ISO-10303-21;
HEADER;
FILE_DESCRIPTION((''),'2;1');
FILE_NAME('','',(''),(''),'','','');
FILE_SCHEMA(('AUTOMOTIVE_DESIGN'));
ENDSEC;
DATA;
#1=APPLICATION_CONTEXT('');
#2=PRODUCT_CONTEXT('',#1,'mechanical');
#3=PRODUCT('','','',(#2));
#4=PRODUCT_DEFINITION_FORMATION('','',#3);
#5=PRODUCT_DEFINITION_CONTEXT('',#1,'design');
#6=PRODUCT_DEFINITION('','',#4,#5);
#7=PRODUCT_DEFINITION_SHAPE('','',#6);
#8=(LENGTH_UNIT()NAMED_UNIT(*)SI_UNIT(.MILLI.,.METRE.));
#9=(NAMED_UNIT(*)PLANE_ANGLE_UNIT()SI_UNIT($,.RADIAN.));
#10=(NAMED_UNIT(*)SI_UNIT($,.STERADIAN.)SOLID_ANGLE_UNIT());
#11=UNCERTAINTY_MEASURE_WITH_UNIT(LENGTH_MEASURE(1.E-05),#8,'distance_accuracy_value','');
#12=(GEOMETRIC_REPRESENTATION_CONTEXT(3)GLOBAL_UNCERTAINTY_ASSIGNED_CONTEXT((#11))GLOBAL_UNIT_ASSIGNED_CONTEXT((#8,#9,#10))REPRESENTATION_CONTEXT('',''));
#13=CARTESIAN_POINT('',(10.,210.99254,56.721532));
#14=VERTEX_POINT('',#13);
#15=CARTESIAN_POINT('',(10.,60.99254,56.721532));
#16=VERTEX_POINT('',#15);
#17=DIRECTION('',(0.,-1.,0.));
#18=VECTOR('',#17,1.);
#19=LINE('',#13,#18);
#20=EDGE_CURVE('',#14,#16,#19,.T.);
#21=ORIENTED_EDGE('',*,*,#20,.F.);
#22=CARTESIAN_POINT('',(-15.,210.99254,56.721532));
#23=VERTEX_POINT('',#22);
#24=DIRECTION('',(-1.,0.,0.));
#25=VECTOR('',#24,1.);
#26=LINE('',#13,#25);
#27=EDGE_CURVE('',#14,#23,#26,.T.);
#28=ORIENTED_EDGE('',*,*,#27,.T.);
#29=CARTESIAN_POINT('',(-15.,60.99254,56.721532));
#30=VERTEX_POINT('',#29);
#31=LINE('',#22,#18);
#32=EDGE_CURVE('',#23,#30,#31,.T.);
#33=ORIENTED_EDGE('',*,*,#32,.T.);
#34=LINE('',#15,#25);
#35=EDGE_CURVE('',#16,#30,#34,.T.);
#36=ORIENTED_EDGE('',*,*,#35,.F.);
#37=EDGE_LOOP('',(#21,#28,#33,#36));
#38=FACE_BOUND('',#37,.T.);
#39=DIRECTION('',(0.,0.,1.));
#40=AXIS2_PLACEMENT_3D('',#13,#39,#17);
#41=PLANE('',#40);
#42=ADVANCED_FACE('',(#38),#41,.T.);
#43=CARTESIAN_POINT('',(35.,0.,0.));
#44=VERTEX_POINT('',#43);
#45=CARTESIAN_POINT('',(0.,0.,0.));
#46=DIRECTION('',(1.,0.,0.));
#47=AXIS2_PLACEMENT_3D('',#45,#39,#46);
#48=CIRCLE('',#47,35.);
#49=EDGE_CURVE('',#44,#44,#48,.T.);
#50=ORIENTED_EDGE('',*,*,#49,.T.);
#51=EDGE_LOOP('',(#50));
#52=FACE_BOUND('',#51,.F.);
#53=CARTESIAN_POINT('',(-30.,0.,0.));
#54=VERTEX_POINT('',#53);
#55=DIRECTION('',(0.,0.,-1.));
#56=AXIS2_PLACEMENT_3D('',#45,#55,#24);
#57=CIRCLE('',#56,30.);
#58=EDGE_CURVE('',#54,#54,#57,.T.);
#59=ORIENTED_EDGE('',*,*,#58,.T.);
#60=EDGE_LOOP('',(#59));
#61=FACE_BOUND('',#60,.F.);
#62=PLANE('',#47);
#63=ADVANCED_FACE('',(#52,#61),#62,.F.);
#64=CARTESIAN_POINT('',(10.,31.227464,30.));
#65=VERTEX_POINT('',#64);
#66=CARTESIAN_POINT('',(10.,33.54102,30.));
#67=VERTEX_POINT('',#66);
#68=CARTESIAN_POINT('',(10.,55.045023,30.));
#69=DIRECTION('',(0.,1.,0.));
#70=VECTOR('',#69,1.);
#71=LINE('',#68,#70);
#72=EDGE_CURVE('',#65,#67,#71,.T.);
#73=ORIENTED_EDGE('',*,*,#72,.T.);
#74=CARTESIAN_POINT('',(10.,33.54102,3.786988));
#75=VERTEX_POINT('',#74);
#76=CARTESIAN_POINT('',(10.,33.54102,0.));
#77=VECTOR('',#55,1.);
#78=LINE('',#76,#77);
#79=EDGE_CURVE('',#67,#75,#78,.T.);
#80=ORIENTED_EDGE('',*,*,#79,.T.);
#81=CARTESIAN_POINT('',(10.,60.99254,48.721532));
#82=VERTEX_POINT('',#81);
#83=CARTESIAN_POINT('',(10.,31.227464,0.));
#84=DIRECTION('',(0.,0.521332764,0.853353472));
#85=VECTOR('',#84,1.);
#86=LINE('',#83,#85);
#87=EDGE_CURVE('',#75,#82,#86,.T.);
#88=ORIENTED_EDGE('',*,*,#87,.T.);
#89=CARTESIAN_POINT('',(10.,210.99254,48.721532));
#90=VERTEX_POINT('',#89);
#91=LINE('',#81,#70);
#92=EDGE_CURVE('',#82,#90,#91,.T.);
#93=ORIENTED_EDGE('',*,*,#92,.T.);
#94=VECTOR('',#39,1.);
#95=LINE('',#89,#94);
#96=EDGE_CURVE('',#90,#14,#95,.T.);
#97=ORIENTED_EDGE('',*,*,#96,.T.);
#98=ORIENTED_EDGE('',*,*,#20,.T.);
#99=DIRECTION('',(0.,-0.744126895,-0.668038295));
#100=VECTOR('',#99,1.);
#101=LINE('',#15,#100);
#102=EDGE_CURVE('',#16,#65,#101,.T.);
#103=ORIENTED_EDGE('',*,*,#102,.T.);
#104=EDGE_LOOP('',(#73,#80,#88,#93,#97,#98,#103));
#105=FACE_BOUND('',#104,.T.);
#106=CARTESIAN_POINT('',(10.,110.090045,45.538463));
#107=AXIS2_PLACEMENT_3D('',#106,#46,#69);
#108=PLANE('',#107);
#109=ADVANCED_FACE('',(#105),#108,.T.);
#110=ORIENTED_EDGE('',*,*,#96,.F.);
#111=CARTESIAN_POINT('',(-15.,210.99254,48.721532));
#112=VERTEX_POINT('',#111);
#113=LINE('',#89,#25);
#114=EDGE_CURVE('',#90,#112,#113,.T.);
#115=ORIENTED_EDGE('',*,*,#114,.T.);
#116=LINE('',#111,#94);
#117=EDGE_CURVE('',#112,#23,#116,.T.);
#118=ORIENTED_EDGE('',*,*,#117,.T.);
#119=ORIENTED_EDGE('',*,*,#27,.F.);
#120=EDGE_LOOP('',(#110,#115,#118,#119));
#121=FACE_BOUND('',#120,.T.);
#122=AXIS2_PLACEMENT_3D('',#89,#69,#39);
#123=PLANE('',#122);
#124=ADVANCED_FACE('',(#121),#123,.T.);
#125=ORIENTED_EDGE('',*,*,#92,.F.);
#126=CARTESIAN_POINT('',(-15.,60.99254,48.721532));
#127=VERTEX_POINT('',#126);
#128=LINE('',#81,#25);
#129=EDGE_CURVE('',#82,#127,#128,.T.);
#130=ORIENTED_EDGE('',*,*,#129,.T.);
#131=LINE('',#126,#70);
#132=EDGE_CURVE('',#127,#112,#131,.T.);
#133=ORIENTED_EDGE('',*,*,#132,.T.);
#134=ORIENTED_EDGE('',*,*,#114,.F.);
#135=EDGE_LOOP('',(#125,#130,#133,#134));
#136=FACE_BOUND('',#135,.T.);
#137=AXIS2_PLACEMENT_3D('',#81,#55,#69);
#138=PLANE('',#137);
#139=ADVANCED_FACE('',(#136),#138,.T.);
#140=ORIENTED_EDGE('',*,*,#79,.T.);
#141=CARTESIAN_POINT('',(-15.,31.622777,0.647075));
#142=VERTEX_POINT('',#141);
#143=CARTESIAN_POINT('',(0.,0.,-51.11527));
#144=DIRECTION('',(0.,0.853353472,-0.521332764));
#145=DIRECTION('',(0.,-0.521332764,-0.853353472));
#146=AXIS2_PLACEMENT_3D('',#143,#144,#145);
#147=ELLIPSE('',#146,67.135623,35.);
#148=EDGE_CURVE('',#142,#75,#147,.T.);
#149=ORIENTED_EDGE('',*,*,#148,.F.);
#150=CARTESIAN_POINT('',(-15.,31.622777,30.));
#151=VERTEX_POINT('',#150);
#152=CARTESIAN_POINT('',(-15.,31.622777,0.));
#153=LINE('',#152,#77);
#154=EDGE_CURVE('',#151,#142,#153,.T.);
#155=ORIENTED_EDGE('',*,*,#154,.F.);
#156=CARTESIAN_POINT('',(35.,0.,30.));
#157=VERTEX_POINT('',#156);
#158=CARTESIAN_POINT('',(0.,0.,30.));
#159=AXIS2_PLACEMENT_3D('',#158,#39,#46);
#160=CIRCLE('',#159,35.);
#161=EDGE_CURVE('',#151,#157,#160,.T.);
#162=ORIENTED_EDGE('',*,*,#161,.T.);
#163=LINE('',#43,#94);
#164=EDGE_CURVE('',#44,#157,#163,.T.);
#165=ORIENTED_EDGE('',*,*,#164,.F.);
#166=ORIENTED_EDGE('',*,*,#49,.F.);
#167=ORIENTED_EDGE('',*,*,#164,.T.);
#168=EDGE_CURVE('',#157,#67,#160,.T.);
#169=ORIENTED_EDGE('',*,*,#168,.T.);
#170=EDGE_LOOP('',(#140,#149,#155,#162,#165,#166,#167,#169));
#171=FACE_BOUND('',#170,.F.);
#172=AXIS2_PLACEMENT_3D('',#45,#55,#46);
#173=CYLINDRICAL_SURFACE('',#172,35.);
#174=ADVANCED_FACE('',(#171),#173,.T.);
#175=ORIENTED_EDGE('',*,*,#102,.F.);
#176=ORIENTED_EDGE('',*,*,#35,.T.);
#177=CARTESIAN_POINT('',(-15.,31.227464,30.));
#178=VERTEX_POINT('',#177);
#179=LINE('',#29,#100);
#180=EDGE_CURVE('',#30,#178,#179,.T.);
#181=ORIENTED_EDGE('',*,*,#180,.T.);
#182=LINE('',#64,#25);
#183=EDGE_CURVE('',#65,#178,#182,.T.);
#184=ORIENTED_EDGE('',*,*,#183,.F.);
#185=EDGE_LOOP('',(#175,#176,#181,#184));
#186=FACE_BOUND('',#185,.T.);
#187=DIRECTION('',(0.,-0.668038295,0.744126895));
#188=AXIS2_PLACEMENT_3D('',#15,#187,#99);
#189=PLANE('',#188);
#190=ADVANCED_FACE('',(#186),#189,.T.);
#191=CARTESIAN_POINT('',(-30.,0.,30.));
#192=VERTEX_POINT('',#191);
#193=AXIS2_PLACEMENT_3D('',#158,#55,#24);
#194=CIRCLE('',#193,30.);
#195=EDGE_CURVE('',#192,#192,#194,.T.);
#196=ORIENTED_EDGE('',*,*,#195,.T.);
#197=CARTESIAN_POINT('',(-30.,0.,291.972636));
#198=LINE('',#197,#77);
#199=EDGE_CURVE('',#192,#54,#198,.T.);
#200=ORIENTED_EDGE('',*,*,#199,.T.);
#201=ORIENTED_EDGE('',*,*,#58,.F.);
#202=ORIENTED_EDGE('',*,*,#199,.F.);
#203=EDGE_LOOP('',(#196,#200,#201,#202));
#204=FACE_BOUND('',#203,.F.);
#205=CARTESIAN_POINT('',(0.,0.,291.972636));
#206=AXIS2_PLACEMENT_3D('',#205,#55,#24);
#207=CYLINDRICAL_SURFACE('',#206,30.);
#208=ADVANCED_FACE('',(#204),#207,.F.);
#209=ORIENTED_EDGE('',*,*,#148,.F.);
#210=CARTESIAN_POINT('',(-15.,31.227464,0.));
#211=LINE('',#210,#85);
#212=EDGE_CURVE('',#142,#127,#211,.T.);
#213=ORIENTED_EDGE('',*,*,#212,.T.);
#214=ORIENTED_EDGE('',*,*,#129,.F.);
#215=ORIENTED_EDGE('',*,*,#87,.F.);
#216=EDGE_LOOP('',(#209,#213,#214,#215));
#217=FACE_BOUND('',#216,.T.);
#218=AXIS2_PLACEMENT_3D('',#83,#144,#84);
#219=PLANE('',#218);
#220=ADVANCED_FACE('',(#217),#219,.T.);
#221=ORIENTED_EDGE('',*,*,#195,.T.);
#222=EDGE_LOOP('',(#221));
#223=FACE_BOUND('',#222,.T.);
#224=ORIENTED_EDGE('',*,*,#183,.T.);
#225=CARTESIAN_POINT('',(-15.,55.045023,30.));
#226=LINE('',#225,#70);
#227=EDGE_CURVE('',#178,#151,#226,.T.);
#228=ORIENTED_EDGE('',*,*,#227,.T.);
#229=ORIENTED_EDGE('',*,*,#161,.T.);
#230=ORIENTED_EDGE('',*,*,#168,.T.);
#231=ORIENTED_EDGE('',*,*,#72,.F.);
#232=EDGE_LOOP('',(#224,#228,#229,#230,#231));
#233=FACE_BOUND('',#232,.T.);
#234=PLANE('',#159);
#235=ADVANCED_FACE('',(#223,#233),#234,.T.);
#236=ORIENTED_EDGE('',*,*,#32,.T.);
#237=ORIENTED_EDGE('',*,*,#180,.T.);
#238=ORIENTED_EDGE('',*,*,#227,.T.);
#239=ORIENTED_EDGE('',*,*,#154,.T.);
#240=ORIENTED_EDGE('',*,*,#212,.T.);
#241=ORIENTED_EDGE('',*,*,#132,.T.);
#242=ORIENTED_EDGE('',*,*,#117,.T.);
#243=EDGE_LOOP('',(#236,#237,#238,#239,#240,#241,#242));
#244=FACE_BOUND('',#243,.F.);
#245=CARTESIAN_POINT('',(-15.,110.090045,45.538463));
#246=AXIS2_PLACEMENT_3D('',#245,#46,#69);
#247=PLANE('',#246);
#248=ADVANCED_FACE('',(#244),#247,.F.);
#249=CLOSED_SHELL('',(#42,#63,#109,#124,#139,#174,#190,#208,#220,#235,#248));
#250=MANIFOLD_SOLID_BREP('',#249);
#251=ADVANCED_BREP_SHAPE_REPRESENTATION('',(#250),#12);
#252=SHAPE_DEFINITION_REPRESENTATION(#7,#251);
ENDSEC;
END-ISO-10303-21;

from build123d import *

# Parameters (mm, degrees)
F0_R     = 35
F1_DEPTH = 30
F4_DEPTH = 25
F6_D     = 60


with BuildPart() as f1:
    # F0 (on Top) → F1 (new body)
    with BuildSketch(Plane.XY):
        Circle(F0_R)
    extrude(amount=F1_DEPTH)

    # F3 (on offset) → F4 (join)
    with BuildSketch(Plane.YZ.offset(10)):
        Polygon((31.227464, 30), (31.227464, 0), (60.99254, 48.721532), (210.99254, 48.721532), (210.99254, 56.721532), (60.99254, 56.721532), align=None)
    extrude(amount=-F4_DEPTH)

    # F6 (through all)
    with Locations(Plane.XY.offset(30)):
        with Locations((0, 0)):
            Hole(F6_D / 2)


solid = f1.part
